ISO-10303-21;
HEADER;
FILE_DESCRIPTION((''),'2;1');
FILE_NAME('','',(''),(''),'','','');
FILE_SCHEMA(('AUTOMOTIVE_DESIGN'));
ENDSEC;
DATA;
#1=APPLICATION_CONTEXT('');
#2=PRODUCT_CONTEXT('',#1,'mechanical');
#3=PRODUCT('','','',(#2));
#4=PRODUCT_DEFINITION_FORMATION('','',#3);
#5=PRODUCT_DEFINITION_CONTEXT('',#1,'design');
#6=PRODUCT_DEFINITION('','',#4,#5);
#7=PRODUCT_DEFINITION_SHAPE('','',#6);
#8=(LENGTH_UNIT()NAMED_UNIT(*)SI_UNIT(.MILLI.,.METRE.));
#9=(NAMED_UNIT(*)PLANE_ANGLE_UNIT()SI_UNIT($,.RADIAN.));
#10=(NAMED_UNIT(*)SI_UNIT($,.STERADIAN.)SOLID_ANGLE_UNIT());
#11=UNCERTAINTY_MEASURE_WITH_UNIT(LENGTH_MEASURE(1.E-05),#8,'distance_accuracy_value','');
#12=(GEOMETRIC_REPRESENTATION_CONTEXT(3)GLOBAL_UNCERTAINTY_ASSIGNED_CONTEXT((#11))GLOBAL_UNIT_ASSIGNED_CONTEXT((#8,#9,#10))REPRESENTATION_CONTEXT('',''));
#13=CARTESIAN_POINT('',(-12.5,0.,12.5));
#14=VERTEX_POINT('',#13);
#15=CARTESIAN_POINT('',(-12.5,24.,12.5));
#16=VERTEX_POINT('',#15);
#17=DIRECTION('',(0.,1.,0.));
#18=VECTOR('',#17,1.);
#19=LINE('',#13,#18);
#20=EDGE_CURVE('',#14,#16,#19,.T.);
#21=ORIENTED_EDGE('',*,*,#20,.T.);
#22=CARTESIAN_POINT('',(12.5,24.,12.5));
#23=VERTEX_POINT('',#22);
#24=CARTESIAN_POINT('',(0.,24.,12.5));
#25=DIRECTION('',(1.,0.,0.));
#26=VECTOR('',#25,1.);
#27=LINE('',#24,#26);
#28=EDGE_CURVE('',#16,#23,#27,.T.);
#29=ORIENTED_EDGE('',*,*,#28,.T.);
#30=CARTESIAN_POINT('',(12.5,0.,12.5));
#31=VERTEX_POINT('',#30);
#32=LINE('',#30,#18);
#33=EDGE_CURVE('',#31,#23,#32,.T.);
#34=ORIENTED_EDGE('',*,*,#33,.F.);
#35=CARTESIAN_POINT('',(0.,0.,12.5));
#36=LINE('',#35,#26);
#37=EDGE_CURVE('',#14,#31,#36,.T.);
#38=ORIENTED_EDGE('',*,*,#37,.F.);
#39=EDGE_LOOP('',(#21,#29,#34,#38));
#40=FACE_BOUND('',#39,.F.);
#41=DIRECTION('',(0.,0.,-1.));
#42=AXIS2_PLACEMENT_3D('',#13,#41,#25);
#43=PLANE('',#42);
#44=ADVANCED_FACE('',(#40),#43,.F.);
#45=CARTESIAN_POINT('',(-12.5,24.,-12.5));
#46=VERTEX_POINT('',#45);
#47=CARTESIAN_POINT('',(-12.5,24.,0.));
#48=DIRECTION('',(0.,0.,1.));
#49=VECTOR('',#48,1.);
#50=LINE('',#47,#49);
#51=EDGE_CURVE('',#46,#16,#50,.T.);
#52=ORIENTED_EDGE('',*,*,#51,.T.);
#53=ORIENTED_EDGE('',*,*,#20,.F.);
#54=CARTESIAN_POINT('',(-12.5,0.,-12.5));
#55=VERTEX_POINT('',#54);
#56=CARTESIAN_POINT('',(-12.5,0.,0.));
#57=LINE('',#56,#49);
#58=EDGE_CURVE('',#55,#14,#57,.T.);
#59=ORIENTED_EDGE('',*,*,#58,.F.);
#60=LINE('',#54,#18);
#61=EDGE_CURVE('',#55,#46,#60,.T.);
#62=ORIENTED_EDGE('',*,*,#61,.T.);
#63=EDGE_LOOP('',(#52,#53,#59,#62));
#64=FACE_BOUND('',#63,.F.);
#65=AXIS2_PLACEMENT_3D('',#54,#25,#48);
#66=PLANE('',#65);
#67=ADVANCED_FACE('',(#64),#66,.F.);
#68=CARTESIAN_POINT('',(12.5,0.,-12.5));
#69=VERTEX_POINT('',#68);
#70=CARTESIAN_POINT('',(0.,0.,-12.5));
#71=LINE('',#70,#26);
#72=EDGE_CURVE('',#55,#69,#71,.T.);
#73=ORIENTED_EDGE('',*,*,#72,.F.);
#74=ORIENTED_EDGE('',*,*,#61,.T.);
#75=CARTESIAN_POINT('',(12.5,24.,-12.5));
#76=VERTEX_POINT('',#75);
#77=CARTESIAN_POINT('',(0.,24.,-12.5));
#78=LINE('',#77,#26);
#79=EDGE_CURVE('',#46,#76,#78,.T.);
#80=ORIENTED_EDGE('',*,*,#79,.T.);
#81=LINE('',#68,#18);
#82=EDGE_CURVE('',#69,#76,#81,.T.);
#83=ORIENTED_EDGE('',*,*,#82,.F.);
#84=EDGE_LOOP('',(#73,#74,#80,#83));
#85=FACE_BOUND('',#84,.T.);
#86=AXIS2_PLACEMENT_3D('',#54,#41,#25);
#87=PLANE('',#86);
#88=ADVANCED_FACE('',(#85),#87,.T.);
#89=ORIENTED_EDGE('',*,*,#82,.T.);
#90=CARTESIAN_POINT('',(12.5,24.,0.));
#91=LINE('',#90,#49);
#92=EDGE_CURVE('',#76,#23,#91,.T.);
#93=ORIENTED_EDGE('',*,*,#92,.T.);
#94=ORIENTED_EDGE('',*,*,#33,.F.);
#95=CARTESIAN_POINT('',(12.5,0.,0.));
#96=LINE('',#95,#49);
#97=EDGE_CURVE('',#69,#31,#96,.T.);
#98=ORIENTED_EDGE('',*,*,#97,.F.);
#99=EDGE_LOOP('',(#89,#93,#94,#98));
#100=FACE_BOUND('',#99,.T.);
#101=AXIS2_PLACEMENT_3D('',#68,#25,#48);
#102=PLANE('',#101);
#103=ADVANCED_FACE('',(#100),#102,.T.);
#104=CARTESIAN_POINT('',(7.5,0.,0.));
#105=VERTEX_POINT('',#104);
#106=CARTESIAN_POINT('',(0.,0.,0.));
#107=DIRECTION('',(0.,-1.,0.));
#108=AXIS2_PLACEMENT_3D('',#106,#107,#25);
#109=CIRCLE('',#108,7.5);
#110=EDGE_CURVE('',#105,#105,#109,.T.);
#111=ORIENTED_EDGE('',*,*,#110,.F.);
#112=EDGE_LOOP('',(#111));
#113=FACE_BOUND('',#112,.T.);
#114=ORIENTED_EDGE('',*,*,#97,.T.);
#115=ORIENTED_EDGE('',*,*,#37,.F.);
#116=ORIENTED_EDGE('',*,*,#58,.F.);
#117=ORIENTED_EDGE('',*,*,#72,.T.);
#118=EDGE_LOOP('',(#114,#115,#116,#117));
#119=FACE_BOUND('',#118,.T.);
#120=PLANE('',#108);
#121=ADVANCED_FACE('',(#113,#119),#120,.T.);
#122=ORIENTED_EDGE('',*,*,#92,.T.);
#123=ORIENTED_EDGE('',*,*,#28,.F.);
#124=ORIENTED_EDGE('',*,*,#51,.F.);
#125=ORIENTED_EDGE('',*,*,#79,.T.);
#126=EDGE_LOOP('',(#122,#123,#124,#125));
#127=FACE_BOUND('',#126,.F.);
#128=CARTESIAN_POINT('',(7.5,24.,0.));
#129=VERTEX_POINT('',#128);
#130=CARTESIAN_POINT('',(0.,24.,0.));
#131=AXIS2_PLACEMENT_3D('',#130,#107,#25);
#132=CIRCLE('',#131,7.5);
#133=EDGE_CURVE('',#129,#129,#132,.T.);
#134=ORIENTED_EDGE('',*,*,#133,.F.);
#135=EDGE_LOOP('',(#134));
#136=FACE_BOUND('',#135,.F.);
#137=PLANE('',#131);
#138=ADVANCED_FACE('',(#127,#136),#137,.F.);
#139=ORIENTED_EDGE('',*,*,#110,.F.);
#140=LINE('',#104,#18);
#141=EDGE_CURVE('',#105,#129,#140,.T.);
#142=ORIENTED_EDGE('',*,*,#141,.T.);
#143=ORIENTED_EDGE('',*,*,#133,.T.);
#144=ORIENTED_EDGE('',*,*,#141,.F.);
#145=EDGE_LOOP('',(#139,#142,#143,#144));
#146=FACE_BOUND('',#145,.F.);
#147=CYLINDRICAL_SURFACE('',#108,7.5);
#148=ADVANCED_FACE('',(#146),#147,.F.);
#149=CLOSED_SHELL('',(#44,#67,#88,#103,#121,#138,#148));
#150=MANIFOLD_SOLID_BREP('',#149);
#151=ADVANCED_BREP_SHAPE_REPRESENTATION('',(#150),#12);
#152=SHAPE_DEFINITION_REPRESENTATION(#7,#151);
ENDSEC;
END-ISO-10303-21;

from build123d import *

# Parameters (mm, degrees)
F0_W     = 25
F0_H     = 25
F1_DEPTH = 24
F2_R     = 7.5
F3_DEPTH = 28


with BuildPart() as f1:
    # F0 (on Front) → F1 (new body)
    with BuildSketch(Plane.XZ):
        Rectangle(F0_W, F0_H)
    extrude(amount=-F1_DEPTH)

    # F2 (on Front) → F3 (cut)
    with BuildSketch(Plane.XZ):
        Circle(F2_R)
    extrude(amount=-F3_DEPTH, mode=Mode.SUBTRACT)


solid = f1.part
